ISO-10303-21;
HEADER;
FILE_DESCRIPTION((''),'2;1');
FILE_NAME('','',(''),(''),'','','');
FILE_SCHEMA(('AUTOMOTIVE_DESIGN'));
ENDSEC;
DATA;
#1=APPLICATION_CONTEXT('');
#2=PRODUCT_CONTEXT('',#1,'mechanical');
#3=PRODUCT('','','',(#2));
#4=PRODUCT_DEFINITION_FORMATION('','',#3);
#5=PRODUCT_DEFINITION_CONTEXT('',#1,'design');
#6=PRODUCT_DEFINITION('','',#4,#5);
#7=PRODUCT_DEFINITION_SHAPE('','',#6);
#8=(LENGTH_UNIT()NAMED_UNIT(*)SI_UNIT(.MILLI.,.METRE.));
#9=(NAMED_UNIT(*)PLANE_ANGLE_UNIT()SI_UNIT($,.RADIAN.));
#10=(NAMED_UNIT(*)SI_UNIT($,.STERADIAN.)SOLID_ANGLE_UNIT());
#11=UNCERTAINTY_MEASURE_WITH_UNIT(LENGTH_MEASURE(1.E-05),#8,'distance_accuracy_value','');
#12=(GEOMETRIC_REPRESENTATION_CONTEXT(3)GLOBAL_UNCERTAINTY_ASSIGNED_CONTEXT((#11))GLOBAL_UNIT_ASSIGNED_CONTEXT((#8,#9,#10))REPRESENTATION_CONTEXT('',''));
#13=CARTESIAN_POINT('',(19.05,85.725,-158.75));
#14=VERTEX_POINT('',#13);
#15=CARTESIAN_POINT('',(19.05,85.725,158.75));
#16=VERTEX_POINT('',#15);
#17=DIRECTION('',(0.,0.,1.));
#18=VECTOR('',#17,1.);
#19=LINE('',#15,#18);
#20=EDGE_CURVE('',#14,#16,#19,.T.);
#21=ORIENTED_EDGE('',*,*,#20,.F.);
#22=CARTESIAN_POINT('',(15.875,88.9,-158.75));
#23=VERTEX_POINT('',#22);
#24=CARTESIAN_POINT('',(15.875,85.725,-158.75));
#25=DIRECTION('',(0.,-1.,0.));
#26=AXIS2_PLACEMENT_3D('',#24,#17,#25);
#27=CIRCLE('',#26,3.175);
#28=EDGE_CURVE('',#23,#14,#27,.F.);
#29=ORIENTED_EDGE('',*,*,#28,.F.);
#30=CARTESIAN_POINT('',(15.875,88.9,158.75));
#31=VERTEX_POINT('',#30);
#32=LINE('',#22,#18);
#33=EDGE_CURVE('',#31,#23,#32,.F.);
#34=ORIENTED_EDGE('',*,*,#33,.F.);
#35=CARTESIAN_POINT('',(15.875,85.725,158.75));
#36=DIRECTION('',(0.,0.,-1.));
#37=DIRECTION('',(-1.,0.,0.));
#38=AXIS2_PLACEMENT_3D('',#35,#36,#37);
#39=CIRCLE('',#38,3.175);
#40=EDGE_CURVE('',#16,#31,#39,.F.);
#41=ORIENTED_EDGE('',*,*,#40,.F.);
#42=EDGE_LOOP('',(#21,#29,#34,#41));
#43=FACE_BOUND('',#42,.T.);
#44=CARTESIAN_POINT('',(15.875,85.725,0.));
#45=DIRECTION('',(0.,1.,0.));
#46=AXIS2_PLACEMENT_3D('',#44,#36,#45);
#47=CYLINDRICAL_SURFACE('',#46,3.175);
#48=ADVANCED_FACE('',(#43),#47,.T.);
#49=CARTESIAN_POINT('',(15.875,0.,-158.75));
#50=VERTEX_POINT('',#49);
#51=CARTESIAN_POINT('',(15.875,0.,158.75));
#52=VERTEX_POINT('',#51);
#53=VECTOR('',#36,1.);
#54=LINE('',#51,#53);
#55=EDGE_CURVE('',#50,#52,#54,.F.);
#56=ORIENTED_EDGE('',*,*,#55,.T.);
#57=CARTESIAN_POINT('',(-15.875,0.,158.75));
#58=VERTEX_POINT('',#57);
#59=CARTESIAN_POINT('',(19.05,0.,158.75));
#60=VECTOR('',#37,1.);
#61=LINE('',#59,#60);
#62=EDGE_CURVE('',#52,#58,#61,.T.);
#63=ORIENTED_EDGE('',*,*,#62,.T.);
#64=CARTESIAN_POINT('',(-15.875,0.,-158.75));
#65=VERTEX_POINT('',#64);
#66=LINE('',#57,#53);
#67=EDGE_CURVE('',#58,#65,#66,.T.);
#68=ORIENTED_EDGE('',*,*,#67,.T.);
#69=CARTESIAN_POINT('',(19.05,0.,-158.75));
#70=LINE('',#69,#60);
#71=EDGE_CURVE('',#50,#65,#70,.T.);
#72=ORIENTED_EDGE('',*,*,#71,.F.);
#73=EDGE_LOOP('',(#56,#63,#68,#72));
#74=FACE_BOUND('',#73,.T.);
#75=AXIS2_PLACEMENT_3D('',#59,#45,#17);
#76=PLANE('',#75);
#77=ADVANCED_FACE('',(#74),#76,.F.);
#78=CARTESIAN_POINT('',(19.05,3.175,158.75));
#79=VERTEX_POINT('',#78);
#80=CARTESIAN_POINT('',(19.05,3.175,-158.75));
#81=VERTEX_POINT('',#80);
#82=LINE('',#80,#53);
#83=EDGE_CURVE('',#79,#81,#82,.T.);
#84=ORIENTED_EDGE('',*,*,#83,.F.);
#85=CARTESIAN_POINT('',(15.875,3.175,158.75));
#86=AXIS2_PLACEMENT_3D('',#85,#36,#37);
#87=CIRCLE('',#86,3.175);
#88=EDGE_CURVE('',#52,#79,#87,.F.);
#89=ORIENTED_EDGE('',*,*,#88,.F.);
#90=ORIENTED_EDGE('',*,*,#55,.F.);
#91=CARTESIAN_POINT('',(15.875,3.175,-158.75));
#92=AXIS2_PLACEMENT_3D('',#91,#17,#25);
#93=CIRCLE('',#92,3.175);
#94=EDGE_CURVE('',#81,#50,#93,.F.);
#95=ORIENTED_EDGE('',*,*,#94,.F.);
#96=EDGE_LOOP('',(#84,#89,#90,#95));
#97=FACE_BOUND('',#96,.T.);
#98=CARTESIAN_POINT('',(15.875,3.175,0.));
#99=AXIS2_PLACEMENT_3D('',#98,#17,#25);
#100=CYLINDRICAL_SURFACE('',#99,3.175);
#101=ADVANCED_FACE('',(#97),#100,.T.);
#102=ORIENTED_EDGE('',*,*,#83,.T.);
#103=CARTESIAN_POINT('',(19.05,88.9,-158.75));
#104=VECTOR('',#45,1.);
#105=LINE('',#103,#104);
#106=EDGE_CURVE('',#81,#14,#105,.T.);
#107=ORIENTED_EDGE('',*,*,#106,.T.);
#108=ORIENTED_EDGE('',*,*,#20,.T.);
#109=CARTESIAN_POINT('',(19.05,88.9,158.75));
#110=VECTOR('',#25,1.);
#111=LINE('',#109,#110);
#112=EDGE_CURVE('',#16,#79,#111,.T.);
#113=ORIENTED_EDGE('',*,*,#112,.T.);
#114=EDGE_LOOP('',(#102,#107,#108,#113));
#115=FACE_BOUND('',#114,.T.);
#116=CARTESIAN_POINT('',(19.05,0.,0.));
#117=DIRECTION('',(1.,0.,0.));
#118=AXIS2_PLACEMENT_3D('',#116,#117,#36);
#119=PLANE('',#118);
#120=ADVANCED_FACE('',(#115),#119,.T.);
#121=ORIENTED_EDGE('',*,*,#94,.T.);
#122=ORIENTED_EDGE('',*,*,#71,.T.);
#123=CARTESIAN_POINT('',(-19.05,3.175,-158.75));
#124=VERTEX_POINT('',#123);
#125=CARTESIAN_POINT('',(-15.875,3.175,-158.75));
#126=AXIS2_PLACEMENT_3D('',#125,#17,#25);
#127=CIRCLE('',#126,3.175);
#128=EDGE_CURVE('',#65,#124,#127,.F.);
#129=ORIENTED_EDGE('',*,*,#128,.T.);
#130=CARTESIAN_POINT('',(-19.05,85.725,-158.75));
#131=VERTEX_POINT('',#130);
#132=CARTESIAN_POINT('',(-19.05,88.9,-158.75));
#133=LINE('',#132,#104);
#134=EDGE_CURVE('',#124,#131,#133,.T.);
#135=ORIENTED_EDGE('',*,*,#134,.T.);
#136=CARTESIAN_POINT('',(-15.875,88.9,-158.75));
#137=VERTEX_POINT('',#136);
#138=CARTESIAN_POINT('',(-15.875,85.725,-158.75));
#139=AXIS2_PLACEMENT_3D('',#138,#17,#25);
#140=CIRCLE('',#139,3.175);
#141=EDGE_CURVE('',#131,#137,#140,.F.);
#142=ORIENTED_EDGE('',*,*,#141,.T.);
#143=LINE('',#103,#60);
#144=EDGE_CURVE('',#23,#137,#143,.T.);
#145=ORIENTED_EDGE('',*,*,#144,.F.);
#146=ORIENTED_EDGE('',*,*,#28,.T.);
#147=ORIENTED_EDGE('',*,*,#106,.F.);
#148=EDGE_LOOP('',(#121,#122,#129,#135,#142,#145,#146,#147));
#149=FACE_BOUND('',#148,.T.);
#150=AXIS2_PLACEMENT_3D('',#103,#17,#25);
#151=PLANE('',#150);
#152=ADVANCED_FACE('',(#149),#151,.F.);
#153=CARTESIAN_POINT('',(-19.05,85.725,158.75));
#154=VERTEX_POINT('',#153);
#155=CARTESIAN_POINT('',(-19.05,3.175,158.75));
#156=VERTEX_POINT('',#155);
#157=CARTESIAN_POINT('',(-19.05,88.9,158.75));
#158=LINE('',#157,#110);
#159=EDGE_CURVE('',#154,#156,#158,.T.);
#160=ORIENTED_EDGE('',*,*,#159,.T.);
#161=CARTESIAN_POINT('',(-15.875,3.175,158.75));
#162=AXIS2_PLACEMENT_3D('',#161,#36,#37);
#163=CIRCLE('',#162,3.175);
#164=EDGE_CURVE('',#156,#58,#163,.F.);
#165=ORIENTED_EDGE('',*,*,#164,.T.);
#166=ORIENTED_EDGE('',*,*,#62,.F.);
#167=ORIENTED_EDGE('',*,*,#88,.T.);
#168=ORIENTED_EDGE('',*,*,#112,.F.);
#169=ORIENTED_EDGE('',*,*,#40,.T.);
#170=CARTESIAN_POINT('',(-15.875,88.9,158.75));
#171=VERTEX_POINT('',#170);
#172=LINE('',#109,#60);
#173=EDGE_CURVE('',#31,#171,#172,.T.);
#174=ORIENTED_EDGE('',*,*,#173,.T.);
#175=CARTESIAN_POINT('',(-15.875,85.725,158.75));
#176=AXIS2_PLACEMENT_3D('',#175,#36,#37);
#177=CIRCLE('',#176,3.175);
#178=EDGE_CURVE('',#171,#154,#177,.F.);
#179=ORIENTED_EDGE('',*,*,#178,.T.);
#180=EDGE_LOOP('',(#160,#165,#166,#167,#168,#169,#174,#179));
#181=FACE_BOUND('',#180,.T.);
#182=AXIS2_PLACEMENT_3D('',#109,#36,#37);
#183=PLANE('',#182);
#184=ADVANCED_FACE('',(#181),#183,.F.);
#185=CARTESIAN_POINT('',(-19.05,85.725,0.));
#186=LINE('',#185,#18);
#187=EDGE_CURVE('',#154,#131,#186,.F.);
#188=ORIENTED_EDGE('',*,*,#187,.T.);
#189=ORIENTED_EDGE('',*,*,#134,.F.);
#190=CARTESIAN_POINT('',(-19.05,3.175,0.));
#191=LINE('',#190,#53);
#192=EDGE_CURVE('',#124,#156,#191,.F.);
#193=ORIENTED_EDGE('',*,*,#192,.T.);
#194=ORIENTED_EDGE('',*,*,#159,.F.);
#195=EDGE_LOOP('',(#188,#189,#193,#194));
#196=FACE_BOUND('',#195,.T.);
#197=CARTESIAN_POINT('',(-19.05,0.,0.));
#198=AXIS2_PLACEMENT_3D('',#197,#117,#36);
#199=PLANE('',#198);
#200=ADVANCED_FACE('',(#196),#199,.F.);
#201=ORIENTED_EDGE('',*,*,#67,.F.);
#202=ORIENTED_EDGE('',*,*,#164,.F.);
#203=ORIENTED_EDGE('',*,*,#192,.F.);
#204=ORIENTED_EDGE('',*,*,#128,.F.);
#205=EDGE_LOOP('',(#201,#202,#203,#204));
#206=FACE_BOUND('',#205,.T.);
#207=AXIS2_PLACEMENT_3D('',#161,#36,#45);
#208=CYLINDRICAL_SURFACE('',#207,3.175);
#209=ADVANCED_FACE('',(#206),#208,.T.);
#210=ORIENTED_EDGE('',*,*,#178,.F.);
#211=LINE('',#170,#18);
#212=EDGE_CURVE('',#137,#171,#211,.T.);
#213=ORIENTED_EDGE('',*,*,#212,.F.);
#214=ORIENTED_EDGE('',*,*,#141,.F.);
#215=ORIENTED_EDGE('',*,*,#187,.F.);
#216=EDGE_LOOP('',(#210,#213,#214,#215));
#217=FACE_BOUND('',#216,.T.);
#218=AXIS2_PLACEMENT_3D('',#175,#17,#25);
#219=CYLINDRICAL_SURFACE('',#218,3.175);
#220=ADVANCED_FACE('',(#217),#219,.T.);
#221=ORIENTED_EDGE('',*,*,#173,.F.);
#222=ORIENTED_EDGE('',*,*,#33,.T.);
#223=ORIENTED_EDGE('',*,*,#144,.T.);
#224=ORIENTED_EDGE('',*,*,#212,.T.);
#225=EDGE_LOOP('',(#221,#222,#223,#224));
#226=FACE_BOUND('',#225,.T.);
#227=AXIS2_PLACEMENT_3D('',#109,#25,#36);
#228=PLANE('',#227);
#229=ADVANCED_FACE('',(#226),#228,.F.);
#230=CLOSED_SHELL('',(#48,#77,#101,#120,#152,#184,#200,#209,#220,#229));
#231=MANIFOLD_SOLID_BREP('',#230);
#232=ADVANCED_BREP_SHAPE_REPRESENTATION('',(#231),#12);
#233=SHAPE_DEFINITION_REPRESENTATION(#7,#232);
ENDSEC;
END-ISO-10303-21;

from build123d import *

# Parameters (mm, degrees)
SKETCH1_W           = 317.5
SKETCH1_H           = 88.9
BOSS_EXTRUDE1_DEPTH = 19.05
FILLET1_R           = 3.175


with BuildPart() as part:
    # Sketch1 → Boss-Extrude1 (new, symmetric)
    with BuildSketch(Plane(origin=(0, 0, 0), x_dir=(0, 0, -1), z_dir=(1, 0, 0))):
        with Locations((0, 44.45)):
            Rectangle(SKETCH1_W, SKETCH1_H)
    extrude(amount=BOSS_EXTRUDE1_DEPTH, both=True)

    # Fillet1
    fillet1_edges = [part.edges().sort_by_distance(p)[0] for p in [
        (19.05, 88.9, 0),
        (-19.05, 88.9, 0),
        (-19.05, 0, 0),
        (19.05, 0, 0),
    ]]
    fillet(fillet1_edges, radius=FILLET1_R)


solid = part.part
